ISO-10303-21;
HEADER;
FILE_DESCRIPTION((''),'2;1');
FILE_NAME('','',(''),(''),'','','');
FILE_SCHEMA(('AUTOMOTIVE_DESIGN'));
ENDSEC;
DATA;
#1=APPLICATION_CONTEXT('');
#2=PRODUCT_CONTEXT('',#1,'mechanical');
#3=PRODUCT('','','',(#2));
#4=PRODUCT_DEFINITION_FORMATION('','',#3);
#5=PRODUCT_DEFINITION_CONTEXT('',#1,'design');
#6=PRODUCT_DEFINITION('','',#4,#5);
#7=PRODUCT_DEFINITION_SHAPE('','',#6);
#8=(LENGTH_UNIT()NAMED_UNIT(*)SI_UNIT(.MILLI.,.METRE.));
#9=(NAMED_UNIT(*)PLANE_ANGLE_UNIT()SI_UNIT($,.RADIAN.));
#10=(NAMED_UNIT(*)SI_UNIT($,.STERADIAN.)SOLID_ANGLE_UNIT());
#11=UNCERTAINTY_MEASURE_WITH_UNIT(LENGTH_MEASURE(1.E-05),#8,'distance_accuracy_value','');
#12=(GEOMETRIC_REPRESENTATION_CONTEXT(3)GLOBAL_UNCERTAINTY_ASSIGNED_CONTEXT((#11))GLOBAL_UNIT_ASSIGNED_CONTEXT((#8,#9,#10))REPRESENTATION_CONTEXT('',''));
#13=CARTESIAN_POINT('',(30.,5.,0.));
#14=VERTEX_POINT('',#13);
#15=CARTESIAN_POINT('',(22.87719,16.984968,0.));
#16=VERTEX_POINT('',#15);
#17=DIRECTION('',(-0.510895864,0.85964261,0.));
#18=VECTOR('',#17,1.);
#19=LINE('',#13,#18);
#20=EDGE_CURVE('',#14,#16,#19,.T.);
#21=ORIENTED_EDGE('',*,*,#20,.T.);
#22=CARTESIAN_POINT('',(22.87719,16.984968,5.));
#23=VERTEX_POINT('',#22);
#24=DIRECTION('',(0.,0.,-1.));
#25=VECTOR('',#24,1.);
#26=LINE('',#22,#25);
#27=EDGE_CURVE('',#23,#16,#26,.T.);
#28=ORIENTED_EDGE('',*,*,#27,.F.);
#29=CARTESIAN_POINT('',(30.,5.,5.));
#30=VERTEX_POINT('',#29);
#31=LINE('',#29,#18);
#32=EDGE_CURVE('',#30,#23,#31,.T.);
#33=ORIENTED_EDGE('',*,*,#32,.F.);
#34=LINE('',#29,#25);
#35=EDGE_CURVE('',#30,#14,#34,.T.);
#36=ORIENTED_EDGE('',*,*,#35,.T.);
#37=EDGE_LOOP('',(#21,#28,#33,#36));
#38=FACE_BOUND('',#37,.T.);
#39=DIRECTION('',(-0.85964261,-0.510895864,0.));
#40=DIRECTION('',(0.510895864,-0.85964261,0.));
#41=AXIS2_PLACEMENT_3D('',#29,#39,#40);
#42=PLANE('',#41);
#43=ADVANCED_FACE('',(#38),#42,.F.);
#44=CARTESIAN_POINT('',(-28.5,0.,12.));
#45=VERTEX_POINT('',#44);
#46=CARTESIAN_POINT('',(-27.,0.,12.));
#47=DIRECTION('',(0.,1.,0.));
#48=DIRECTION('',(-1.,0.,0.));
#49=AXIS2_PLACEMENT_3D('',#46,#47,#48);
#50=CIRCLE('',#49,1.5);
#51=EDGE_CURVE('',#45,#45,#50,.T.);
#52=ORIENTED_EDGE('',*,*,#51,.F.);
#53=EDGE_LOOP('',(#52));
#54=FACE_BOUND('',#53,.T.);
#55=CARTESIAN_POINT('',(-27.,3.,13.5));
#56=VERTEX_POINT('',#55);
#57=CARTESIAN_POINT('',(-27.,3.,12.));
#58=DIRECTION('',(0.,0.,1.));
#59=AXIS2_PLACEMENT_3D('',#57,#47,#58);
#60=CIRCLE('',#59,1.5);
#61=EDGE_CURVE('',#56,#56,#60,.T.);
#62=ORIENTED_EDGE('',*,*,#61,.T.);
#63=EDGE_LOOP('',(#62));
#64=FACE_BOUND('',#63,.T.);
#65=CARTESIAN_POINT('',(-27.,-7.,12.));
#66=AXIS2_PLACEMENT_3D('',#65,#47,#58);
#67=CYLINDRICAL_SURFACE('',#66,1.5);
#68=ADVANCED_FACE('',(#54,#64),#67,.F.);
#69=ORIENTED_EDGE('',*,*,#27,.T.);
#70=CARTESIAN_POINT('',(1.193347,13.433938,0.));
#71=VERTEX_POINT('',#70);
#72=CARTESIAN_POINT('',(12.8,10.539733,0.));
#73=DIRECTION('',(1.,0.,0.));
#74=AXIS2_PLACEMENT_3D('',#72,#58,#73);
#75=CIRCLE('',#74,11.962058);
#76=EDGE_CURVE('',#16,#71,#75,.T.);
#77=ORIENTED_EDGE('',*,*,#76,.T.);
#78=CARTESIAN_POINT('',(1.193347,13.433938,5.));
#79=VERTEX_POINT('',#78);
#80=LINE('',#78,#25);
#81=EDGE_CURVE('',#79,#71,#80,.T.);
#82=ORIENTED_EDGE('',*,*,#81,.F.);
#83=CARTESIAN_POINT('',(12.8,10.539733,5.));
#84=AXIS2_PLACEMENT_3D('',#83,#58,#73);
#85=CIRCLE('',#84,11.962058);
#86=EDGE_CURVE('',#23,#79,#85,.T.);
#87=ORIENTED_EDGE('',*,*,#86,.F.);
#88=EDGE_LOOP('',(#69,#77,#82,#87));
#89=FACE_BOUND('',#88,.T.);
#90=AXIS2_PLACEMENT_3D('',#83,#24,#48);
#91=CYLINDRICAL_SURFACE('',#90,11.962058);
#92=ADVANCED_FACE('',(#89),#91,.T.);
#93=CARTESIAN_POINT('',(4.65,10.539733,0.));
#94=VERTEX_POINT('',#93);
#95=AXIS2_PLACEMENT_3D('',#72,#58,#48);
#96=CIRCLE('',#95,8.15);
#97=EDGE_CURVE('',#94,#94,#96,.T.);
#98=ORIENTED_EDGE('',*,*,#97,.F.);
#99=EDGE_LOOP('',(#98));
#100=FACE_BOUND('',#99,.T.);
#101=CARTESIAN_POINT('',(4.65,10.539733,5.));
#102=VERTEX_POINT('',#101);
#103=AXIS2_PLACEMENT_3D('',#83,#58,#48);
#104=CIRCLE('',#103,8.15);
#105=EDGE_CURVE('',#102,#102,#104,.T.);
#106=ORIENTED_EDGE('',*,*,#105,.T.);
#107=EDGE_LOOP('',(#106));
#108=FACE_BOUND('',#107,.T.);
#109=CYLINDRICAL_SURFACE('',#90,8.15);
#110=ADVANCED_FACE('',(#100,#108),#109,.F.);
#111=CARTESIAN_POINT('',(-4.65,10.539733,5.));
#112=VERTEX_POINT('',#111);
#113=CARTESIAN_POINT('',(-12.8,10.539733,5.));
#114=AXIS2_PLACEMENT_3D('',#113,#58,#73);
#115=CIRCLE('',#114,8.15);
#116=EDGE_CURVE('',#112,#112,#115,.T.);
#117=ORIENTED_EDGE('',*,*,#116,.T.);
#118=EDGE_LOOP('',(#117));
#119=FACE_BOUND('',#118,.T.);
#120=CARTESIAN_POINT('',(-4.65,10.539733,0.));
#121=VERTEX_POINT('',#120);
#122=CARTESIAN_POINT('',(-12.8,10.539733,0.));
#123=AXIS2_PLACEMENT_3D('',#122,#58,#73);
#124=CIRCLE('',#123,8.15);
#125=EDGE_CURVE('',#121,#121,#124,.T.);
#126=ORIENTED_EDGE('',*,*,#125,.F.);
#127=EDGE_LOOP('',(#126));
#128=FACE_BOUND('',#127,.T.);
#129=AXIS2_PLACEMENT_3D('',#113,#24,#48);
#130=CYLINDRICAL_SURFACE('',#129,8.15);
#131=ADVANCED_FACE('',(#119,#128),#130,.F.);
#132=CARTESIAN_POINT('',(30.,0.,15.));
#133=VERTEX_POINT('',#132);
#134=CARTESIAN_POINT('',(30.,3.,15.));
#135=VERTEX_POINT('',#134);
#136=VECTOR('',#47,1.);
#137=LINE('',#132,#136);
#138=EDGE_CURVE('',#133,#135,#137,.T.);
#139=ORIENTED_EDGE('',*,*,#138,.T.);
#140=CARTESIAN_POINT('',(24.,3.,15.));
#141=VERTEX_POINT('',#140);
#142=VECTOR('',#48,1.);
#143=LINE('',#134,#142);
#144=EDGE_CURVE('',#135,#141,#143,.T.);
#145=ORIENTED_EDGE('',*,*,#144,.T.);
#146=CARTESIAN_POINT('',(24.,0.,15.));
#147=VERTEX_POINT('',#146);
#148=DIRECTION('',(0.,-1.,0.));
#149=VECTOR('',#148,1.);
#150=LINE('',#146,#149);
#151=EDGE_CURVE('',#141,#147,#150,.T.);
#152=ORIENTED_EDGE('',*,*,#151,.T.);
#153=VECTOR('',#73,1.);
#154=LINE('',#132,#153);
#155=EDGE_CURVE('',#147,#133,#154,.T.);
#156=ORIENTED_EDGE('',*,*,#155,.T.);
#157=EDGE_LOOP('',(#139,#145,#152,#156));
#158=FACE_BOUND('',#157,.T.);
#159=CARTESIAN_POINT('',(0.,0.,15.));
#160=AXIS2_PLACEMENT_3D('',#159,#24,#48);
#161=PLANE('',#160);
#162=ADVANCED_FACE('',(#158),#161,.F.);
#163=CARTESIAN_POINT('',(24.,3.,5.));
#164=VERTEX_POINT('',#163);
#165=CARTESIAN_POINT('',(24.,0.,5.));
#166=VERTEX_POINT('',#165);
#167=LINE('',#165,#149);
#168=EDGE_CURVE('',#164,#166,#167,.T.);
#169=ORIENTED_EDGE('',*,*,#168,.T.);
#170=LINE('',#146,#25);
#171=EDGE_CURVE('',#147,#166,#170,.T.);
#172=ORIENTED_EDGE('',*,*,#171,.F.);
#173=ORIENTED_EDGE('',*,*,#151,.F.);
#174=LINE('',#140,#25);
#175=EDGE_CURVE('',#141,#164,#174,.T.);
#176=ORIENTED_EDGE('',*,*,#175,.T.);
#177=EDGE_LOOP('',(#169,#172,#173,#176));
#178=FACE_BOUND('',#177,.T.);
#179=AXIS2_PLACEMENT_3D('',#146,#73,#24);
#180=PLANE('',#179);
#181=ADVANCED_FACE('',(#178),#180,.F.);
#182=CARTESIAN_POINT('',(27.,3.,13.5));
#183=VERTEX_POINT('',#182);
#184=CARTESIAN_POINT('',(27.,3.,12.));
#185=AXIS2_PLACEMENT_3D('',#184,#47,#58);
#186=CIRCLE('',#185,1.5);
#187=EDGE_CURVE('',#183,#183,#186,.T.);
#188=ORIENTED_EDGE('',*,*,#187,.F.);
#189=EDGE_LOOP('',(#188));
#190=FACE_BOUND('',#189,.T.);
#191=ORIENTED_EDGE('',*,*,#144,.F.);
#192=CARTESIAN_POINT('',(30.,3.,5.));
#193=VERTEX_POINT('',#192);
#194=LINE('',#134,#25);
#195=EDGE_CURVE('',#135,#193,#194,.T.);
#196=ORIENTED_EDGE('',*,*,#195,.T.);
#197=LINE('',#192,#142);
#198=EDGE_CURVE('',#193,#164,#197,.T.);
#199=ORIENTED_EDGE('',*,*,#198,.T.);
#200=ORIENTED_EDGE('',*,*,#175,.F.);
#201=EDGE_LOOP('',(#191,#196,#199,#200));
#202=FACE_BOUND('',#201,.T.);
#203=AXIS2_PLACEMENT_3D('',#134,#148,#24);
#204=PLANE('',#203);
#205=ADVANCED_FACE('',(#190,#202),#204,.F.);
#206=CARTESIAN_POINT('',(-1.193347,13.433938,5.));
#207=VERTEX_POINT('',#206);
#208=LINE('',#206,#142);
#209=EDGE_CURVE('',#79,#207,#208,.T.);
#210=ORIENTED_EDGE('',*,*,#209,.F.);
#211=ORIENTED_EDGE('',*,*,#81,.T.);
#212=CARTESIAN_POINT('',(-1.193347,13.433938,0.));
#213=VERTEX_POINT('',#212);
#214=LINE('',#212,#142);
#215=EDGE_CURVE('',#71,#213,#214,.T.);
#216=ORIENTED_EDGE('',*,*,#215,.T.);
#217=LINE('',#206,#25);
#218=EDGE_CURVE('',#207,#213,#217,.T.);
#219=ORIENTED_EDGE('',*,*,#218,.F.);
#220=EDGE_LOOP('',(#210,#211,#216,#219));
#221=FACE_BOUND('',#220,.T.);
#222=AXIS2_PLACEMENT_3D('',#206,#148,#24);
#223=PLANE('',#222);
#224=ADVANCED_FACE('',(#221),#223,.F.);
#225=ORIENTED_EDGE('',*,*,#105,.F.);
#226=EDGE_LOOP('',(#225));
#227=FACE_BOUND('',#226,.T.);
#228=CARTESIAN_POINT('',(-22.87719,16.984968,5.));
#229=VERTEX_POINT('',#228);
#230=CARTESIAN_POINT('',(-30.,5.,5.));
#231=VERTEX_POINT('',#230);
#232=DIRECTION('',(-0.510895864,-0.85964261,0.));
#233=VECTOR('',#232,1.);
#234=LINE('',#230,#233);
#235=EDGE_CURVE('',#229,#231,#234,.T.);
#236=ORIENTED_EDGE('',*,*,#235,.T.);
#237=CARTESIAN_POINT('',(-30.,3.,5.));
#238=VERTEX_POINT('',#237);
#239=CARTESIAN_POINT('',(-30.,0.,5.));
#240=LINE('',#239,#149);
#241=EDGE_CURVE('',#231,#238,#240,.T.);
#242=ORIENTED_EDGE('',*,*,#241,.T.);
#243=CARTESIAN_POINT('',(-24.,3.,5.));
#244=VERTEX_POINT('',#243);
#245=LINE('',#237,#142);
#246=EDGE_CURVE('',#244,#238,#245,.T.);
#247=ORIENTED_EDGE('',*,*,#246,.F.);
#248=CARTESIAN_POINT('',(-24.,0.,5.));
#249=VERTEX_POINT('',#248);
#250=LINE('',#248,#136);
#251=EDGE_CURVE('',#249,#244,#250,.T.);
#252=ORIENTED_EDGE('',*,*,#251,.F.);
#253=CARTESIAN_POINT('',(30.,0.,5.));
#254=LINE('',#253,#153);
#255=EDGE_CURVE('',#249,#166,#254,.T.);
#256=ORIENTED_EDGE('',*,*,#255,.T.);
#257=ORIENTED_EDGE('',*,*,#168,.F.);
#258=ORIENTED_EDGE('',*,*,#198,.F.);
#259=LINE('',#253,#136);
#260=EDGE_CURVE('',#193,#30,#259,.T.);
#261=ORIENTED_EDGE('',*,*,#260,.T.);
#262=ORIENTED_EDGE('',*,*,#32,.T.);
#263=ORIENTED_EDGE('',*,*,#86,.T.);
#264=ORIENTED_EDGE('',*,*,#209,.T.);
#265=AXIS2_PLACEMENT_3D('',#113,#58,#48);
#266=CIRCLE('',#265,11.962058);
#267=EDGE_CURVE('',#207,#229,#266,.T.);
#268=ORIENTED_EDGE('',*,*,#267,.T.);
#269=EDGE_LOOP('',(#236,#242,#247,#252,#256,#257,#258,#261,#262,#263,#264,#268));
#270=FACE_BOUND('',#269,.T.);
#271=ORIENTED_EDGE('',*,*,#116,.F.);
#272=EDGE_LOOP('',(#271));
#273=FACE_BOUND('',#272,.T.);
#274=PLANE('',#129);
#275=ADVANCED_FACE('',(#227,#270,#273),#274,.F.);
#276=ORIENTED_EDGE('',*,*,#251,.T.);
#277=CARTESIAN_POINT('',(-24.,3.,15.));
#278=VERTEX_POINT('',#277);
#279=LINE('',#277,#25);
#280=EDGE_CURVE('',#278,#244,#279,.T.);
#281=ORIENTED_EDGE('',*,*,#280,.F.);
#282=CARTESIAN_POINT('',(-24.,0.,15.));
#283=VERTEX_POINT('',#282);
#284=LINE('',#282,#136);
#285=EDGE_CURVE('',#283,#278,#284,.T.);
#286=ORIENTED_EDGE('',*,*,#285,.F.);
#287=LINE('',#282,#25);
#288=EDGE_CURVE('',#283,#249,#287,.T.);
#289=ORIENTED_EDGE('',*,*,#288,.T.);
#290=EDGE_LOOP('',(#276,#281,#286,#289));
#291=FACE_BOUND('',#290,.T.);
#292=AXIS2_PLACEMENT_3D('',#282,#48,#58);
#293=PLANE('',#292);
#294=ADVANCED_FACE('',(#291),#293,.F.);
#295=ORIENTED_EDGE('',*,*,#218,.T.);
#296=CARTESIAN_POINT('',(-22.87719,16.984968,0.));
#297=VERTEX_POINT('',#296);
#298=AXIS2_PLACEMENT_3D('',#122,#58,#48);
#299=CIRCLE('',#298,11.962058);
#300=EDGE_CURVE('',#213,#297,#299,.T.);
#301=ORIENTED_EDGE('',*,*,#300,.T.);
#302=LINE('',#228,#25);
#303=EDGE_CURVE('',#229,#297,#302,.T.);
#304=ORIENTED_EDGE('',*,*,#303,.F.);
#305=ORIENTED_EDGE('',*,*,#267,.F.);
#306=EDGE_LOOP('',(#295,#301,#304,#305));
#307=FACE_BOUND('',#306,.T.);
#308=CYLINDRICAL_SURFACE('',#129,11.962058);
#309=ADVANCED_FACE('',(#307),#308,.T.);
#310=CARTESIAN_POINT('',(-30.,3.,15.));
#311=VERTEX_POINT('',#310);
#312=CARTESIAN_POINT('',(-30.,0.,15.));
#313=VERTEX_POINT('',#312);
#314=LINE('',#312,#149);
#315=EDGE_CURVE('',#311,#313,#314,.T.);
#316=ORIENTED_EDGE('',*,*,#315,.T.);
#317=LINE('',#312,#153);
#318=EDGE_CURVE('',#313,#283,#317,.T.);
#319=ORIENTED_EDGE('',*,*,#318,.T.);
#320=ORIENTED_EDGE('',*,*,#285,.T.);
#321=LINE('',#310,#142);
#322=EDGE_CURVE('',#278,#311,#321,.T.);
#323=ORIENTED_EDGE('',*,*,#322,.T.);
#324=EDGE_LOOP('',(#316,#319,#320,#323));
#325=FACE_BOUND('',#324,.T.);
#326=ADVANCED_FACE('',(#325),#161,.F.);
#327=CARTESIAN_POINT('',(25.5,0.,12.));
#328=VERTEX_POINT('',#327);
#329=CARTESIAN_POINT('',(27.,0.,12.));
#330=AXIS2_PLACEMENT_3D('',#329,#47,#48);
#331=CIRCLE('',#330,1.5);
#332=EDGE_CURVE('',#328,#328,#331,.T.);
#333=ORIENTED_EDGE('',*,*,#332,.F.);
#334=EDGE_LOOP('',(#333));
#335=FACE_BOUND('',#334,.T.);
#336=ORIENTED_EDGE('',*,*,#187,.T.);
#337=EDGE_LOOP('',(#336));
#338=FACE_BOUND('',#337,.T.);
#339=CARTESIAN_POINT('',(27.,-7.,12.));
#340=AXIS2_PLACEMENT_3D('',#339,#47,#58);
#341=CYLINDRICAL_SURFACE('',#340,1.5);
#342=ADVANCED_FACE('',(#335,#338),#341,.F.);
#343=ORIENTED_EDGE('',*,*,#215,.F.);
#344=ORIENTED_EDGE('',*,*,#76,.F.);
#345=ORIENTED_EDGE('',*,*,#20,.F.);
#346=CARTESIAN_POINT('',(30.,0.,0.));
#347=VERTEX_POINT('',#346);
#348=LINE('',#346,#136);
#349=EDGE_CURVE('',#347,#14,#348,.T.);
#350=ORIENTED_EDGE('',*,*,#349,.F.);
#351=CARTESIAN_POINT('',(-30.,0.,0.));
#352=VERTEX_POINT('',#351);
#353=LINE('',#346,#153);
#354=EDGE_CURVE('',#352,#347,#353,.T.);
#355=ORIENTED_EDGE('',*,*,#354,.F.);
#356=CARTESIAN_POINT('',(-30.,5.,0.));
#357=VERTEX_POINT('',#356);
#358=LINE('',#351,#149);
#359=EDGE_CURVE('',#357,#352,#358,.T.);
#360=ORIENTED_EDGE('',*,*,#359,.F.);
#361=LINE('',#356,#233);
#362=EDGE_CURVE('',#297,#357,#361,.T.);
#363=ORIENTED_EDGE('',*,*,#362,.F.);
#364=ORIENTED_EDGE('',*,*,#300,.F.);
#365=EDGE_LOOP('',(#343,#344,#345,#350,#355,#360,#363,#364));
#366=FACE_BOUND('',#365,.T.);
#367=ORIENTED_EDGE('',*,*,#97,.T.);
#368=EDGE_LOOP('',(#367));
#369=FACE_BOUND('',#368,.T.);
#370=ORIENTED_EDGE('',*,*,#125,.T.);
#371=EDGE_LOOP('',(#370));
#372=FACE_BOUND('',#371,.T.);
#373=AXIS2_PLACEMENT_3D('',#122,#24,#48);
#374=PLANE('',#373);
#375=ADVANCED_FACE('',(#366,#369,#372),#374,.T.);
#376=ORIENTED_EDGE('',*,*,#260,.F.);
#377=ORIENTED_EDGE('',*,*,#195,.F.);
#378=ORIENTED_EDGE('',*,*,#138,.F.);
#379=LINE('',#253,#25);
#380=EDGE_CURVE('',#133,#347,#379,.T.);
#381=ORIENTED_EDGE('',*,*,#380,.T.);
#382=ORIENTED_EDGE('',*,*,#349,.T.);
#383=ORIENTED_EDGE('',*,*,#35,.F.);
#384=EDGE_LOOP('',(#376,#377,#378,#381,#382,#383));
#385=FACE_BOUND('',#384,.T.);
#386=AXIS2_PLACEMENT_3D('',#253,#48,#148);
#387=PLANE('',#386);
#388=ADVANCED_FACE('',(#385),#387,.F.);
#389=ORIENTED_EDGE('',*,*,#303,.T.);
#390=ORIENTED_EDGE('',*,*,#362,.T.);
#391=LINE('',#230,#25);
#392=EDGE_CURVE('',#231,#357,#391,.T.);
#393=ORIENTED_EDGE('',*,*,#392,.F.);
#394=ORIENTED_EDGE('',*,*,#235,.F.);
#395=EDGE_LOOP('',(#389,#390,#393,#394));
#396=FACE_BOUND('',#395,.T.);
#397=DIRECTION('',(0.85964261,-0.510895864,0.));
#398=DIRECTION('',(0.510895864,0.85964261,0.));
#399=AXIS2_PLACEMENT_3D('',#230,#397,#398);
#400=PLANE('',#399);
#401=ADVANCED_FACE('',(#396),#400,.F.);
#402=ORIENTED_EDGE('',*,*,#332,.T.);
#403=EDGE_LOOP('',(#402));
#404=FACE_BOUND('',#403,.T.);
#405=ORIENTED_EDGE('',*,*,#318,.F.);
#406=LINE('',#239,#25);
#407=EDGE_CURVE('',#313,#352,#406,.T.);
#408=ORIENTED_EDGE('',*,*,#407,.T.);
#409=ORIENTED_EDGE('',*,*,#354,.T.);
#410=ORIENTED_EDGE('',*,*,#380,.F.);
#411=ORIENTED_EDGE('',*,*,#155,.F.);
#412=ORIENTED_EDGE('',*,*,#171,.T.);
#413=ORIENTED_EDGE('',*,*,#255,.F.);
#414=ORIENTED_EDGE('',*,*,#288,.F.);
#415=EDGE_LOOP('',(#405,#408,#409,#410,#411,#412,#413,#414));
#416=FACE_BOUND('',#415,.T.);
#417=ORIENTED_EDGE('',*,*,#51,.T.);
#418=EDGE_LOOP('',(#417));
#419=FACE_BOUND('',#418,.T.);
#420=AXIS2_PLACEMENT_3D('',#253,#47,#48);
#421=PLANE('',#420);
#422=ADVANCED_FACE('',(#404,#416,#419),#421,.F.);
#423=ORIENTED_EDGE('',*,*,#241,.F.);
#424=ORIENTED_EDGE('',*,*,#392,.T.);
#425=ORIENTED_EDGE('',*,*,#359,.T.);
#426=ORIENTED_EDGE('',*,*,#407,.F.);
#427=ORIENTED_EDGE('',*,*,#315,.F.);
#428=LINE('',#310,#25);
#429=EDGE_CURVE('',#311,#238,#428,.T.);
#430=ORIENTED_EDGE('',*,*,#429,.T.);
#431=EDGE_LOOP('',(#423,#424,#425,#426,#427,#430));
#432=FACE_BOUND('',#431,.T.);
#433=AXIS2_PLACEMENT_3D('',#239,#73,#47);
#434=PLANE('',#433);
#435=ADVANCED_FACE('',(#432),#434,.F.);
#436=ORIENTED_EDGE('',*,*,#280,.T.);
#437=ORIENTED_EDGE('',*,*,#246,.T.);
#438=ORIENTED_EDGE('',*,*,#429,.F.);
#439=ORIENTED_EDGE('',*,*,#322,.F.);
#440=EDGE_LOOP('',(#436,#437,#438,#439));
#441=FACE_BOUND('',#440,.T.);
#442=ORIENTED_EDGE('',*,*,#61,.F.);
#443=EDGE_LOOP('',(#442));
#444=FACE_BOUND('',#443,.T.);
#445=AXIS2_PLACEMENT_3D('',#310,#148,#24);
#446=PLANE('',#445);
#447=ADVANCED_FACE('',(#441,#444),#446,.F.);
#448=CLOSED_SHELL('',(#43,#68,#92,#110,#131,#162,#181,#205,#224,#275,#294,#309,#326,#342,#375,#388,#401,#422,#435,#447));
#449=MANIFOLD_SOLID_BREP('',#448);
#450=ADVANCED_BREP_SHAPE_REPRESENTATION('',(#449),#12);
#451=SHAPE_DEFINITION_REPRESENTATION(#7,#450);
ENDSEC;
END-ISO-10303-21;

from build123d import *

# Parameters (mm, degrees)
SKETCH1_R           = 8.15
BOSS_EXTRUDE1_DEPTH = 5
SKETCH3_W           = 6
SKETCH3_H           = 3
BOSS_EXTRUDE2_DEPTH = 10
SKETCH4_R           = 1.5
CUT_EXTRUDE1_DEPTH  = 10


with BuildPart() as part:
    # Sketch1 → Boss-Extrude1 (new body)
    with BuildSketch(Plane.XY):
        with BuildLine():
            Line((30, 0), (-30, 0))
            Line((-30, 0), (-30, 5))
            Line((-30, 5), (-22.877190338, 16.984968219))
            ThreePointArc((-22.877190338, 16.984968219), (-10.866798453, 22.344543701), (-1.193346785, 13.433937918))
            Line((-1.193346785, 13.433937918), (1.193346785, 13.433937918))
            ThreePointArc((1.193346785, 13.433937918), (10.866798453, 22.344543701), (22.877190338, 16.984968219))
            Line((22.877190338, 16.984968219), (30, 5))
            Line((30, 5), (30, 0))
        make_face()
        with Locations((-12.8, 10.539733165)):
            Circle(SKETCH1_R, mode=Mode.SUBTRACT)
        with Locations((12.8, 10.539733165)):
            Circle(SKETCH1_R, mode=Mode.SUBTRACT)
    extrude(amount=BOSS_EXTRUDE1_DEPTH)

    # Sketch3 → Boss-Extrude2 (add)
    with BuildSketch(Plane.XY.offset(5)):
        with Locations((-27, 1.5)):
            Rectangle(SKETCH3_W, SKETCH3_H)
        with Locations((27, 1.5)):
            Rectangle(SKETCH3_W, SKETCH3_H)
    extrude(amount=BOSS_EXTRUDE2_DEPTH)

    # Sketch4 → Cut-Extrude1 (cut)
    with BuildSketch(Plane(origin=(0, 3, 0), x_dir=(1, 0, 0), z_dir=(0, 1, 0))):
        with Locations((-27, -12)):
            Circle(SKETCH4_R)
        with Locations((27, -12)):
            Circle(SKETCH4_R)
    extrude(amount=-CUT_EXTRUDE1_DEPTH, mode=Mode.SUBTRACT)


solid = part.part
